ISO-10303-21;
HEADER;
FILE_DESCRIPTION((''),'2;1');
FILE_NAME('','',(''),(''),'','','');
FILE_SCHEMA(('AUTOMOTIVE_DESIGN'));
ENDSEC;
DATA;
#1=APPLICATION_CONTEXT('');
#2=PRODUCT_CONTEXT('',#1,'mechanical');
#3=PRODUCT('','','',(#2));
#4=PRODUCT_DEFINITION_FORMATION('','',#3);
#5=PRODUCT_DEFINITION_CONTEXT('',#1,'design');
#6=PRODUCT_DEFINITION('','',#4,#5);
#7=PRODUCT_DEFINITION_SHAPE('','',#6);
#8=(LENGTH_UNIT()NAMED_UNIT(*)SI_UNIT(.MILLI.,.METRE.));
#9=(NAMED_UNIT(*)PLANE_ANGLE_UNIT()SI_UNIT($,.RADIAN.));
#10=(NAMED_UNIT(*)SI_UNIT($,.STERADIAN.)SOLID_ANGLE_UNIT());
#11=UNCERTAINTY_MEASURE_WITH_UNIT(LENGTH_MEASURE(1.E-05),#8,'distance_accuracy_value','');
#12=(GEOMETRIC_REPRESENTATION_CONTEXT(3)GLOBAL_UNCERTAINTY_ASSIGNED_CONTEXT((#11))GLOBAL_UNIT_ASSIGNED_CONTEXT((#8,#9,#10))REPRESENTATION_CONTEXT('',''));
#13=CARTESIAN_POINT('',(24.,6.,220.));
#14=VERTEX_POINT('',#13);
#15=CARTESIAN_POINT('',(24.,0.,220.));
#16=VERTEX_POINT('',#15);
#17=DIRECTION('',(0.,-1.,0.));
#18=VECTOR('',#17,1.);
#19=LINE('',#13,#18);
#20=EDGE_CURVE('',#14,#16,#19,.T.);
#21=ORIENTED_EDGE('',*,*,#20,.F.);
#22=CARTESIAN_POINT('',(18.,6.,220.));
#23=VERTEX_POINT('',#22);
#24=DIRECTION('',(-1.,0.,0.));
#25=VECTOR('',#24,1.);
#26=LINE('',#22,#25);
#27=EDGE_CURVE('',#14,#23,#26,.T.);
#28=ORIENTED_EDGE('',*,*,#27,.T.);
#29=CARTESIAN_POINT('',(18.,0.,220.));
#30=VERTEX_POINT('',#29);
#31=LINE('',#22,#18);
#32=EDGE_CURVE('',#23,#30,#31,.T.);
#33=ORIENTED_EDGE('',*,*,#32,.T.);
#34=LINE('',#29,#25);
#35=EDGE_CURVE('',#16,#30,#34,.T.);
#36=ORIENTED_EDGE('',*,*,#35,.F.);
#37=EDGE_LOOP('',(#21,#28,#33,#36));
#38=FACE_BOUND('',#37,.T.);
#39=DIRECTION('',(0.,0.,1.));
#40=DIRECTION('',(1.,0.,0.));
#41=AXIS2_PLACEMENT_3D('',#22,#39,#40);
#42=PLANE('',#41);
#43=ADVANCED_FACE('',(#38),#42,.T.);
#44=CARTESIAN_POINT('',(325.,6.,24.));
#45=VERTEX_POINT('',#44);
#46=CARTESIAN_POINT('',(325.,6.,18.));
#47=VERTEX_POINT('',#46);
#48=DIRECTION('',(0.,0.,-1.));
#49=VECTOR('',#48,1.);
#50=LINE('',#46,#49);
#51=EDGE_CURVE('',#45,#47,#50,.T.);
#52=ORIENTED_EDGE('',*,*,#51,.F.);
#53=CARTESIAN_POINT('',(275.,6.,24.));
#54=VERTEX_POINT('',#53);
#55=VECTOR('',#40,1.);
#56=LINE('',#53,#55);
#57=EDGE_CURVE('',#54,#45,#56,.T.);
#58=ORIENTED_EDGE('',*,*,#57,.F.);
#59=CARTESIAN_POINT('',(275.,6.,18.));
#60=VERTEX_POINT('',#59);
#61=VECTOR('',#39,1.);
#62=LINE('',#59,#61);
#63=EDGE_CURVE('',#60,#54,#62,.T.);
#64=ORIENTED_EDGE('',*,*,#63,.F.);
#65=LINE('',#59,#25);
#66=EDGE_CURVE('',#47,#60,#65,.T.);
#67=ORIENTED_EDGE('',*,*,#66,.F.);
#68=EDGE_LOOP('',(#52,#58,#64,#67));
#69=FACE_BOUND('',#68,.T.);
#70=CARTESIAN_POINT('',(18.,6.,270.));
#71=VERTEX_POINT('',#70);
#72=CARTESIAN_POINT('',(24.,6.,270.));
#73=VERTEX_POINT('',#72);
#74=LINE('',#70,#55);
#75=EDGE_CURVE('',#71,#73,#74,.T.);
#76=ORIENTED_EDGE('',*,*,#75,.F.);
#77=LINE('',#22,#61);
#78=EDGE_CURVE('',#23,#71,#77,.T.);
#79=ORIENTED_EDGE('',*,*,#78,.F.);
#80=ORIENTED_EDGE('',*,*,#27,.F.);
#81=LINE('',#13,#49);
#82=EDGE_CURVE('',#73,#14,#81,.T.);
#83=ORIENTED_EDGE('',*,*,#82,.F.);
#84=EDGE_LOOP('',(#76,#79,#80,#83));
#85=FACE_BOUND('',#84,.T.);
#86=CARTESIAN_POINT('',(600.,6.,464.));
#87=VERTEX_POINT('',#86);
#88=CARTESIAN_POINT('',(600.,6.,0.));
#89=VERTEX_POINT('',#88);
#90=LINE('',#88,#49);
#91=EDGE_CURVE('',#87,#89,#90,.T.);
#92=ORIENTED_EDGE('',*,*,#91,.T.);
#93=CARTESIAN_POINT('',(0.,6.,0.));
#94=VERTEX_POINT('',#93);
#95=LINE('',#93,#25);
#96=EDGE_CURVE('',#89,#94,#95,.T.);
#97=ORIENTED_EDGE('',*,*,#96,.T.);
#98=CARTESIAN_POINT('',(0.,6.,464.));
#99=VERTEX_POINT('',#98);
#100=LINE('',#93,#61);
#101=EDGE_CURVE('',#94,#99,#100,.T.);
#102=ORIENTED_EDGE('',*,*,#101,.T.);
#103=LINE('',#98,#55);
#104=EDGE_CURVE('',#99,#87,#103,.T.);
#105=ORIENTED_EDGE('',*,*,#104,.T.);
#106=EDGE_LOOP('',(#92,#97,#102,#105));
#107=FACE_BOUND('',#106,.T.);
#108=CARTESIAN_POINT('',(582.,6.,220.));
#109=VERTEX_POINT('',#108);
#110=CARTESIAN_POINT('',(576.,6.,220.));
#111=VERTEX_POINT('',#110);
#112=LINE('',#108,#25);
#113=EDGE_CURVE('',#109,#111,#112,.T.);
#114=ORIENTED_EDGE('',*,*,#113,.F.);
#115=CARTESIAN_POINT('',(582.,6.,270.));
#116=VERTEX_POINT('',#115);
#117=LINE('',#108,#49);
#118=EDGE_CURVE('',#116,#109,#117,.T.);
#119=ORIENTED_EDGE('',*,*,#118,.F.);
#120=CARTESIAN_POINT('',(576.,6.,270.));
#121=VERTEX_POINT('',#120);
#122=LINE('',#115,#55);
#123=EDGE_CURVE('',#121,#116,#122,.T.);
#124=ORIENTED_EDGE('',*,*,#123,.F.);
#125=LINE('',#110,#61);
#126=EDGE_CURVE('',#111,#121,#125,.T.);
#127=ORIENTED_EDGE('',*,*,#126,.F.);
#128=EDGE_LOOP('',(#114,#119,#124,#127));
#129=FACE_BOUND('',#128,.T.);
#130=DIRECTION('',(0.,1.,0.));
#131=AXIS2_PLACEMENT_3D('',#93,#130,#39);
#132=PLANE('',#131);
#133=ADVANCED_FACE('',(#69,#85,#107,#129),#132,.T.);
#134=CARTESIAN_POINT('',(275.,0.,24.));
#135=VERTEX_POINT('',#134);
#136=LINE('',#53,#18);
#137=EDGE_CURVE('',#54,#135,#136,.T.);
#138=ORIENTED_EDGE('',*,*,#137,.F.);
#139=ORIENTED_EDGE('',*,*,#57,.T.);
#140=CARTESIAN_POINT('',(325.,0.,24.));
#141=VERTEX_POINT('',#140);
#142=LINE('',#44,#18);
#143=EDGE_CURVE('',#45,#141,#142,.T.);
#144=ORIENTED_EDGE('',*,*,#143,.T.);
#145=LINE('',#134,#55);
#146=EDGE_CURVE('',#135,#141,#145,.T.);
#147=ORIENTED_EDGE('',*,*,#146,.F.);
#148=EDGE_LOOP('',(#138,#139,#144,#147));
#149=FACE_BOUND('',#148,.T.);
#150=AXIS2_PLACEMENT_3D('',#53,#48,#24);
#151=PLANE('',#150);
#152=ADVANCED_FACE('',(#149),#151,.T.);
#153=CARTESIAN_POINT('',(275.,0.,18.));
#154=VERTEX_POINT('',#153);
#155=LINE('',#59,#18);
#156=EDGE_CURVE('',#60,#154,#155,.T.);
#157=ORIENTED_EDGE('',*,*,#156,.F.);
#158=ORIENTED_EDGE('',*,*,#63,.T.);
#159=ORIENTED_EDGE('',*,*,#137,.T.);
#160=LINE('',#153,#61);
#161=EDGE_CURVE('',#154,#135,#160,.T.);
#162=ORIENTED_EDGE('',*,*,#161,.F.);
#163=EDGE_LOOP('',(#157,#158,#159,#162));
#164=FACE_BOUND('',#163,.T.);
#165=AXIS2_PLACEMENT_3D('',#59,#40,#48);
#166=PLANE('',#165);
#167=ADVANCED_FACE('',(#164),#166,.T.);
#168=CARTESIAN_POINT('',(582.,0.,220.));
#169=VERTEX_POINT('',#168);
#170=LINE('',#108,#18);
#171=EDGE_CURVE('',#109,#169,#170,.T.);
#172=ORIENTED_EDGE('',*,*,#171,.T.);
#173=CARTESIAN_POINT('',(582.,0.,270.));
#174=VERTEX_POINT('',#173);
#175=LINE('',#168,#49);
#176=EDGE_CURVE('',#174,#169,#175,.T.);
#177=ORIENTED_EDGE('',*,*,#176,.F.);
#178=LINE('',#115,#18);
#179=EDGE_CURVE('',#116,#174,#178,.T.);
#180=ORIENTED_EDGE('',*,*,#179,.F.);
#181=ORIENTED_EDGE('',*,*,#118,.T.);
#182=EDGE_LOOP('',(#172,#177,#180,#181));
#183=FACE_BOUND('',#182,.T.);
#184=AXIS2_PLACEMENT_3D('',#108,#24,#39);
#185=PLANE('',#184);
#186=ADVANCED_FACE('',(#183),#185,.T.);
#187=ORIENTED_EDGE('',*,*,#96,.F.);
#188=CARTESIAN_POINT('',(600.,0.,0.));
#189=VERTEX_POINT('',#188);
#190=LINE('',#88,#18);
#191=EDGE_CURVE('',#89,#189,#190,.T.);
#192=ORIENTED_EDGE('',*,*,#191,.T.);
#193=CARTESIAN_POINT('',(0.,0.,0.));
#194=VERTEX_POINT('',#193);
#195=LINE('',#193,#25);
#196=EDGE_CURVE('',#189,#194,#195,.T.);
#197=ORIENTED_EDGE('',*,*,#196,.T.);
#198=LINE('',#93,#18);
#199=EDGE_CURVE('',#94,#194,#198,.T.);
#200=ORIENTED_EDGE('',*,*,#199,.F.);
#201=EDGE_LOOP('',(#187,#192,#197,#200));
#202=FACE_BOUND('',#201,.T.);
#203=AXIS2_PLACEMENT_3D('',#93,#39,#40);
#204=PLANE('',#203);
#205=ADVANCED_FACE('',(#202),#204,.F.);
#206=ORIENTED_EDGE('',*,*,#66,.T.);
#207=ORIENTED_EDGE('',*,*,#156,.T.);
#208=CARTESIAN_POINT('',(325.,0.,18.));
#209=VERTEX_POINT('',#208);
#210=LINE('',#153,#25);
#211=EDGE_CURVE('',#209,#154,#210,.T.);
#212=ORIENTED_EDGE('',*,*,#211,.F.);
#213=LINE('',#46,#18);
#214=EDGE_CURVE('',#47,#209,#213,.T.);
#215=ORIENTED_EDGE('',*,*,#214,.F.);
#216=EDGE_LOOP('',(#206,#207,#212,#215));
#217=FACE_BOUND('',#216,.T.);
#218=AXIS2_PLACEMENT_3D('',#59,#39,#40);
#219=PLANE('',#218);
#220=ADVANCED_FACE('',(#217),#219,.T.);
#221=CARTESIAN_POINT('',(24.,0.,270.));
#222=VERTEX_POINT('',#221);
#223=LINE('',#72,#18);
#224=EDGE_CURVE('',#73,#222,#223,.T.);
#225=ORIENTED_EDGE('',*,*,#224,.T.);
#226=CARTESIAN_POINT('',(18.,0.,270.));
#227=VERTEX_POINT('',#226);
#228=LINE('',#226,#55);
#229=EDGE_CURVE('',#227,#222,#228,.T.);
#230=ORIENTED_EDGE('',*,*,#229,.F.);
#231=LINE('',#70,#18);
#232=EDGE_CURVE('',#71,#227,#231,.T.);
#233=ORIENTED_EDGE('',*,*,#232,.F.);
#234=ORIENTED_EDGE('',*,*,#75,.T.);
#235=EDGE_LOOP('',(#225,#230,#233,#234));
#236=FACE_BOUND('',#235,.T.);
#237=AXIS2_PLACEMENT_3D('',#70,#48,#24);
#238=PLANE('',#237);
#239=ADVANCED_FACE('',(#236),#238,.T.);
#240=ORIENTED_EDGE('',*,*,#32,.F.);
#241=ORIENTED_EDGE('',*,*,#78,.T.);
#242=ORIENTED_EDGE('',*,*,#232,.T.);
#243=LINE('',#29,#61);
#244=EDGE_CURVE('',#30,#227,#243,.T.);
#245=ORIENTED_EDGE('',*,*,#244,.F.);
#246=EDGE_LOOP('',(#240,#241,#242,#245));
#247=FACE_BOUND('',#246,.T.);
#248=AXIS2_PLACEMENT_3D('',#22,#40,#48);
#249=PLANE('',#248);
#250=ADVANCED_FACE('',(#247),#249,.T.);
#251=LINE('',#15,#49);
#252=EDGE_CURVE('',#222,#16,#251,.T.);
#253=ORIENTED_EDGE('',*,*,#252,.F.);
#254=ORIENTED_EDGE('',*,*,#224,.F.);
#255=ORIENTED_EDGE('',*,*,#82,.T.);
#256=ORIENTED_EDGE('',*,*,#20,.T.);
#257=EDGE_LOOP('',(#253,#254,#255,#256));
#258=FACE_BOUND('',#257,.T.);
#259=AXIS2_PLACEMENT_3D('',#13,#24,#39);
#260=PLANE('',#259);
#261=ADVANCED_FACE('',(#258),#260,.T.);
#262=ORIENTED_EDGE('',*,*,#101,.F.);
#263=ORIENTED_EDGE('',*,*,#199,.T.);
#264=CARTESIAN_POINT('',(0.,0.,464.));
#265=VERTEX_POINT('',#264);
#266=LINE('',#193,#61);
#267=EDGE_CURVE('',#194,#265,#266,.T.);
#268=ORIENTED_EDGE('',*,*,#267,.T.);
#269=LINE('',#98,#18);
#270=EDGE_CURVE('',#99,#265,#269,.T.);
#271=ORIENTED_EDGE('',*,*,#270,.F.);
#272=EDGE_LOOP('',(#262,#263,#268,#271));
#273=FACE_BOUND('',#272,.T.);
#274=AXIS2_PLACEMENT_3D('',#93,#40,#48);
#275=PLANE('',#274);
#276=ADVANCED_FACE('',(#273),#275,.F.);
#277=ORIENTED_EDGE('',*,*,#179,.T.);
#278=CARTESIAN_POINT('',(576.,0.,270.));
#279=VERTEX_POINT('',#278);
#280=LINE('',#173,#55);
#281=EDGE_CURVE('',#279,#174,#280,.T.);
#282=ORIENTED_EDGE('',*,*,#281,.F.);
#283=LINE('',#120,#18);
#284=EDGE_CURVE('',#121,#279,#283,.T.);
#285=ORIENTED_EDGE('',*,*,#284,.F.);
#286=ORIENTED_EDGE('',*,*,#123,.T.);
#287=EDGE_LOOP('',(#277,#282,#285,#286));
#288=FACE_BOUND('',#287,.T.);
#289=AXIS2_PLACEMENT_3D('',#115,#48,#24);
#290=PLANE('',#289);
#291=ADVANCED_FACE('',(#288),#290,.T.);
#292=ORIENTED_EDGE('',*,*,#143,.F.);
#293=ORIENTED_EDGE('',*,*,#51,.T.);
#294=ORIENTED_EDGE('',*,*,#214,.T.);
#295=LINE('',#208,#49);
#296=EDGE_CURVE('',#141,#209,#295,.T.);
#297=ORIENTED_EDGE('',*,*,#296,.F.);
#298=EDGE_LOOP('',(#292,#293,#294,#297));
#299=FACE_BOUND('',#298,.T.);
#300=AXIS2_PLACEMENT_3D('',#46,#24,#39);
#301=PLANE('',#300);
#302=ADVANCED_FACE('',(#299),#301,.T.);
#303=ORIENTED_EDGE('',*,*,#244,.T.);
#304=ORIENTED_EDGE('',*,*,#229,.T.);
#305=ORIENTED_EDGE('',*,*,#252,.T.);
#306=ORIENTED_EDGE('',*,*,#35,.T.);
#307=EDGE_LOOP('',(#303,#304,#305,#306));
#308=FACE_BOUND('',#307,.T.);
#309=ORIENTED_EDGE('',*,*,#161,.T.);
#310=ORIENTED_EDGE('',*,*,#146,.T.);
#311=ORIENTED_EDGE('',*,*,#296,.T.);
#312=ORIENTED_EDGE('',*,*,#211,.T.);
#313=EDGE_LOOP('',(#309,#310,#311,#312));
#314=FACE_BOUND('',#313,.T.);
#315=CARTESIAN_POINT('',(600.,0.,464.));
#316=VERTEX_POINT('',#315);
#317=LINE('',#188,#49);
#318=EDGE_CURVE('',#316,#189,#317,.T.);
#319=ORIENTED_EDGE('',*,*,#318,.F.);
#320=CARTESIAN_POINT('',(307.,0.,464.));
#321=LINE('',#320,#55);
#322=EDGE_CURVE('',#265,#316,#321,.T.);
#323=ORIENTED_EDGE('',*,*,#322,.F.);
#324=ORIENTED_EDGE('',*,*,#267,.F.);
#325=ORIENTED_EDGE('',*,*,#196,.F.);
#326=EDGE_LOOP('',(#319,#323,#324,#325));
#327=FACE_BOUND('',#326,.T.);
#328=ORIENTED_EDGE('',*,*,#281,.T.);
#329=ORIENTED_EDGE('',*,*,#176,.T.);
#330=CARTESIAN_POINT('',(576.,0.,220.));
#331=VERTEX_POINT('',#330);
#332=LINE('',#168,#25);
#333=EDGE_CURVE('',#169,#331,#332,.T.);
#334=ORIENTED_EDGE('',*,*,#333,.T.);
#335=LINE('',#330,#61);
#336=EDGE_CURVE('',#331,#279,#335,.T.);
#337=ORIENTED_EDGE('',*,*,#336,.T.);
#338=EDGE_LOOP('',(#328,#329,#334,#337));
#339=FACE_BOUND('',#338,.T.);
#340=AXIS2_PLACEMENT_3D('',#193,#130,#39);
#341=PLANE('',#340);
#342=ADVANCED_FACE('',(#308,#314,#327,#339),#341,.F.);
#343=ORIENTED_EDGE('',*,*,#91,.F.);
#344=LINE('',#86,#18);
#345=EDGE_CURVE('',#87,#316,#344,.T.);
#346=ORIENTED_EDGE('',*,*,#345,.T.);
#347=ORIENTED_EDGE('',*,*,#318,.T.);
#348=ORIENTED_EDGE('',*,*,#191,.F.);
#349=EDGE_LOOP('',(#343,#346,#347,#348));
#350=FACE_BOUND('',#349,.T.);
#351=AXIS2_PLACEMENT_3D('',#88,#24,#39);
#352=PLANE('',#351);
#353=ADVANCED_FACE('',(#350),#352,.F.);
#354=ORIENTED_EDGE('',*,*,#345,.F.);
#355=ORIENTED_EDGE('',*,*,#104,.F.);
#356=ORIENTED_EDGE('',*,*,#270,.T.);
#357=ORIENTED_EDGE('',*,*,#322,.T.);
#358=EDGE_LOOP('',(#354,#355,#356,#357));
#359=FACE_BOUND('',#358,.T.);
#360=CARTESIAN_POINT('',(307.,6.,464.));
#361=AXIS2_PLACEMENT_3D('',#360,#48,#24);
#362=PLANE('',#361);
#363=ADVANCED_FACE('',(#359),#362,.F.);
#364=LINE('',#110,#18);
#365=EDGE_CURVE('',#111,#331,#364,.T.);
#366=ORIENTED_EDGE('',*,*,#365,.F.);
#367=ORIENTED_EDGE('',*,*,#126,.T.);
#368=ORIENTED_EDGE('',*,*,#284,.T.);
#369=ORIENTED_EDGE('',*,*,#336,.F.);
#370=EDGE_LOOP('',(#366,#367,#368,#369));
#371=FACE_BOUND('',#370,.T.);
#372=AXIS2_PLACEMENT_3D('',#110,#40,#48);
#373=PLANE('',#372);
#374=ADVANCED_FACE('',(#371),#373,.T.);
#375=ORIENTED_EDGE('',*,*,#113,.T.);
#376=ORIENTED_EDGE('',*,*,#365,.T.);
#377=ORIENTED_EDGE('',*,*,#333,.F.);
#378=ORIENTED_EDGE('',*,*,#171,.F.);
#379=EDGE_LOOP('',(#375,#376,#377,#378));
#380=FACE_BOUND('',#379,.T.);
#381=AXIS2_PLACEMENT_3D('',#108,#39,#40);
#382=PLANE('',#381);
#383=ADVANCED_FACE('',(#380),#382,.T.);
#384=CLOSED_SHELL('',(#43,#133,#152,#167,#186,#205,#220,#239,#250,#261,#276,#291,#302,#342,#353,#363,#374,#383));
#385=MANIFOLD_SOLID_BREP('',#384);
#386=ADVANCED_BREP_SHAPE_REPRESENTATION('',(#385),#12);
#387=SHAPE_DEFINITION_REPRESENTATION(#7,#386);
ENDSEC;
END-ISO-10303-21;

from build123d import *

# Parameters (mm, degrees)
SKETCH1_W           = 50
SKETCH1_H           = 6
SKETCH1_W_2         = 6
SKETCH1_H_2         = 50
BOSS_EXTRUDE1_DEPTH = 6


with BuildPart() as part:
    # Sketch1 → Boss-Extrude1 (new body)
    with BuildSketch(Plane(origin=(0, 0, 0), x_dir=(1, 0, 0), z_dir=(0, 1, 0))):
        Polygon((0, 0), (600, 0), (600, -464), (307, -464), (257, -464), (0, -464), align=None)
        with Locations((300, -21)):
            Rectangle(SKETCH1_W, SKETCH1_H, mode=Mode.SUBTRACT)
        with Locations((579, -245)):
            Rectangle(SKETCH1_W_2, SKETCH1_H_2, mode=Mode.SUBTRACT)
        with Locations((21, -245)):
            Rectangle(SKETCH1_W_2, SKETCH1_H_2, mode=Mode.SUBTRACT)
    extrude(amount=BOSS_EXTRUDE1_DEPTH)


solid = part.part
